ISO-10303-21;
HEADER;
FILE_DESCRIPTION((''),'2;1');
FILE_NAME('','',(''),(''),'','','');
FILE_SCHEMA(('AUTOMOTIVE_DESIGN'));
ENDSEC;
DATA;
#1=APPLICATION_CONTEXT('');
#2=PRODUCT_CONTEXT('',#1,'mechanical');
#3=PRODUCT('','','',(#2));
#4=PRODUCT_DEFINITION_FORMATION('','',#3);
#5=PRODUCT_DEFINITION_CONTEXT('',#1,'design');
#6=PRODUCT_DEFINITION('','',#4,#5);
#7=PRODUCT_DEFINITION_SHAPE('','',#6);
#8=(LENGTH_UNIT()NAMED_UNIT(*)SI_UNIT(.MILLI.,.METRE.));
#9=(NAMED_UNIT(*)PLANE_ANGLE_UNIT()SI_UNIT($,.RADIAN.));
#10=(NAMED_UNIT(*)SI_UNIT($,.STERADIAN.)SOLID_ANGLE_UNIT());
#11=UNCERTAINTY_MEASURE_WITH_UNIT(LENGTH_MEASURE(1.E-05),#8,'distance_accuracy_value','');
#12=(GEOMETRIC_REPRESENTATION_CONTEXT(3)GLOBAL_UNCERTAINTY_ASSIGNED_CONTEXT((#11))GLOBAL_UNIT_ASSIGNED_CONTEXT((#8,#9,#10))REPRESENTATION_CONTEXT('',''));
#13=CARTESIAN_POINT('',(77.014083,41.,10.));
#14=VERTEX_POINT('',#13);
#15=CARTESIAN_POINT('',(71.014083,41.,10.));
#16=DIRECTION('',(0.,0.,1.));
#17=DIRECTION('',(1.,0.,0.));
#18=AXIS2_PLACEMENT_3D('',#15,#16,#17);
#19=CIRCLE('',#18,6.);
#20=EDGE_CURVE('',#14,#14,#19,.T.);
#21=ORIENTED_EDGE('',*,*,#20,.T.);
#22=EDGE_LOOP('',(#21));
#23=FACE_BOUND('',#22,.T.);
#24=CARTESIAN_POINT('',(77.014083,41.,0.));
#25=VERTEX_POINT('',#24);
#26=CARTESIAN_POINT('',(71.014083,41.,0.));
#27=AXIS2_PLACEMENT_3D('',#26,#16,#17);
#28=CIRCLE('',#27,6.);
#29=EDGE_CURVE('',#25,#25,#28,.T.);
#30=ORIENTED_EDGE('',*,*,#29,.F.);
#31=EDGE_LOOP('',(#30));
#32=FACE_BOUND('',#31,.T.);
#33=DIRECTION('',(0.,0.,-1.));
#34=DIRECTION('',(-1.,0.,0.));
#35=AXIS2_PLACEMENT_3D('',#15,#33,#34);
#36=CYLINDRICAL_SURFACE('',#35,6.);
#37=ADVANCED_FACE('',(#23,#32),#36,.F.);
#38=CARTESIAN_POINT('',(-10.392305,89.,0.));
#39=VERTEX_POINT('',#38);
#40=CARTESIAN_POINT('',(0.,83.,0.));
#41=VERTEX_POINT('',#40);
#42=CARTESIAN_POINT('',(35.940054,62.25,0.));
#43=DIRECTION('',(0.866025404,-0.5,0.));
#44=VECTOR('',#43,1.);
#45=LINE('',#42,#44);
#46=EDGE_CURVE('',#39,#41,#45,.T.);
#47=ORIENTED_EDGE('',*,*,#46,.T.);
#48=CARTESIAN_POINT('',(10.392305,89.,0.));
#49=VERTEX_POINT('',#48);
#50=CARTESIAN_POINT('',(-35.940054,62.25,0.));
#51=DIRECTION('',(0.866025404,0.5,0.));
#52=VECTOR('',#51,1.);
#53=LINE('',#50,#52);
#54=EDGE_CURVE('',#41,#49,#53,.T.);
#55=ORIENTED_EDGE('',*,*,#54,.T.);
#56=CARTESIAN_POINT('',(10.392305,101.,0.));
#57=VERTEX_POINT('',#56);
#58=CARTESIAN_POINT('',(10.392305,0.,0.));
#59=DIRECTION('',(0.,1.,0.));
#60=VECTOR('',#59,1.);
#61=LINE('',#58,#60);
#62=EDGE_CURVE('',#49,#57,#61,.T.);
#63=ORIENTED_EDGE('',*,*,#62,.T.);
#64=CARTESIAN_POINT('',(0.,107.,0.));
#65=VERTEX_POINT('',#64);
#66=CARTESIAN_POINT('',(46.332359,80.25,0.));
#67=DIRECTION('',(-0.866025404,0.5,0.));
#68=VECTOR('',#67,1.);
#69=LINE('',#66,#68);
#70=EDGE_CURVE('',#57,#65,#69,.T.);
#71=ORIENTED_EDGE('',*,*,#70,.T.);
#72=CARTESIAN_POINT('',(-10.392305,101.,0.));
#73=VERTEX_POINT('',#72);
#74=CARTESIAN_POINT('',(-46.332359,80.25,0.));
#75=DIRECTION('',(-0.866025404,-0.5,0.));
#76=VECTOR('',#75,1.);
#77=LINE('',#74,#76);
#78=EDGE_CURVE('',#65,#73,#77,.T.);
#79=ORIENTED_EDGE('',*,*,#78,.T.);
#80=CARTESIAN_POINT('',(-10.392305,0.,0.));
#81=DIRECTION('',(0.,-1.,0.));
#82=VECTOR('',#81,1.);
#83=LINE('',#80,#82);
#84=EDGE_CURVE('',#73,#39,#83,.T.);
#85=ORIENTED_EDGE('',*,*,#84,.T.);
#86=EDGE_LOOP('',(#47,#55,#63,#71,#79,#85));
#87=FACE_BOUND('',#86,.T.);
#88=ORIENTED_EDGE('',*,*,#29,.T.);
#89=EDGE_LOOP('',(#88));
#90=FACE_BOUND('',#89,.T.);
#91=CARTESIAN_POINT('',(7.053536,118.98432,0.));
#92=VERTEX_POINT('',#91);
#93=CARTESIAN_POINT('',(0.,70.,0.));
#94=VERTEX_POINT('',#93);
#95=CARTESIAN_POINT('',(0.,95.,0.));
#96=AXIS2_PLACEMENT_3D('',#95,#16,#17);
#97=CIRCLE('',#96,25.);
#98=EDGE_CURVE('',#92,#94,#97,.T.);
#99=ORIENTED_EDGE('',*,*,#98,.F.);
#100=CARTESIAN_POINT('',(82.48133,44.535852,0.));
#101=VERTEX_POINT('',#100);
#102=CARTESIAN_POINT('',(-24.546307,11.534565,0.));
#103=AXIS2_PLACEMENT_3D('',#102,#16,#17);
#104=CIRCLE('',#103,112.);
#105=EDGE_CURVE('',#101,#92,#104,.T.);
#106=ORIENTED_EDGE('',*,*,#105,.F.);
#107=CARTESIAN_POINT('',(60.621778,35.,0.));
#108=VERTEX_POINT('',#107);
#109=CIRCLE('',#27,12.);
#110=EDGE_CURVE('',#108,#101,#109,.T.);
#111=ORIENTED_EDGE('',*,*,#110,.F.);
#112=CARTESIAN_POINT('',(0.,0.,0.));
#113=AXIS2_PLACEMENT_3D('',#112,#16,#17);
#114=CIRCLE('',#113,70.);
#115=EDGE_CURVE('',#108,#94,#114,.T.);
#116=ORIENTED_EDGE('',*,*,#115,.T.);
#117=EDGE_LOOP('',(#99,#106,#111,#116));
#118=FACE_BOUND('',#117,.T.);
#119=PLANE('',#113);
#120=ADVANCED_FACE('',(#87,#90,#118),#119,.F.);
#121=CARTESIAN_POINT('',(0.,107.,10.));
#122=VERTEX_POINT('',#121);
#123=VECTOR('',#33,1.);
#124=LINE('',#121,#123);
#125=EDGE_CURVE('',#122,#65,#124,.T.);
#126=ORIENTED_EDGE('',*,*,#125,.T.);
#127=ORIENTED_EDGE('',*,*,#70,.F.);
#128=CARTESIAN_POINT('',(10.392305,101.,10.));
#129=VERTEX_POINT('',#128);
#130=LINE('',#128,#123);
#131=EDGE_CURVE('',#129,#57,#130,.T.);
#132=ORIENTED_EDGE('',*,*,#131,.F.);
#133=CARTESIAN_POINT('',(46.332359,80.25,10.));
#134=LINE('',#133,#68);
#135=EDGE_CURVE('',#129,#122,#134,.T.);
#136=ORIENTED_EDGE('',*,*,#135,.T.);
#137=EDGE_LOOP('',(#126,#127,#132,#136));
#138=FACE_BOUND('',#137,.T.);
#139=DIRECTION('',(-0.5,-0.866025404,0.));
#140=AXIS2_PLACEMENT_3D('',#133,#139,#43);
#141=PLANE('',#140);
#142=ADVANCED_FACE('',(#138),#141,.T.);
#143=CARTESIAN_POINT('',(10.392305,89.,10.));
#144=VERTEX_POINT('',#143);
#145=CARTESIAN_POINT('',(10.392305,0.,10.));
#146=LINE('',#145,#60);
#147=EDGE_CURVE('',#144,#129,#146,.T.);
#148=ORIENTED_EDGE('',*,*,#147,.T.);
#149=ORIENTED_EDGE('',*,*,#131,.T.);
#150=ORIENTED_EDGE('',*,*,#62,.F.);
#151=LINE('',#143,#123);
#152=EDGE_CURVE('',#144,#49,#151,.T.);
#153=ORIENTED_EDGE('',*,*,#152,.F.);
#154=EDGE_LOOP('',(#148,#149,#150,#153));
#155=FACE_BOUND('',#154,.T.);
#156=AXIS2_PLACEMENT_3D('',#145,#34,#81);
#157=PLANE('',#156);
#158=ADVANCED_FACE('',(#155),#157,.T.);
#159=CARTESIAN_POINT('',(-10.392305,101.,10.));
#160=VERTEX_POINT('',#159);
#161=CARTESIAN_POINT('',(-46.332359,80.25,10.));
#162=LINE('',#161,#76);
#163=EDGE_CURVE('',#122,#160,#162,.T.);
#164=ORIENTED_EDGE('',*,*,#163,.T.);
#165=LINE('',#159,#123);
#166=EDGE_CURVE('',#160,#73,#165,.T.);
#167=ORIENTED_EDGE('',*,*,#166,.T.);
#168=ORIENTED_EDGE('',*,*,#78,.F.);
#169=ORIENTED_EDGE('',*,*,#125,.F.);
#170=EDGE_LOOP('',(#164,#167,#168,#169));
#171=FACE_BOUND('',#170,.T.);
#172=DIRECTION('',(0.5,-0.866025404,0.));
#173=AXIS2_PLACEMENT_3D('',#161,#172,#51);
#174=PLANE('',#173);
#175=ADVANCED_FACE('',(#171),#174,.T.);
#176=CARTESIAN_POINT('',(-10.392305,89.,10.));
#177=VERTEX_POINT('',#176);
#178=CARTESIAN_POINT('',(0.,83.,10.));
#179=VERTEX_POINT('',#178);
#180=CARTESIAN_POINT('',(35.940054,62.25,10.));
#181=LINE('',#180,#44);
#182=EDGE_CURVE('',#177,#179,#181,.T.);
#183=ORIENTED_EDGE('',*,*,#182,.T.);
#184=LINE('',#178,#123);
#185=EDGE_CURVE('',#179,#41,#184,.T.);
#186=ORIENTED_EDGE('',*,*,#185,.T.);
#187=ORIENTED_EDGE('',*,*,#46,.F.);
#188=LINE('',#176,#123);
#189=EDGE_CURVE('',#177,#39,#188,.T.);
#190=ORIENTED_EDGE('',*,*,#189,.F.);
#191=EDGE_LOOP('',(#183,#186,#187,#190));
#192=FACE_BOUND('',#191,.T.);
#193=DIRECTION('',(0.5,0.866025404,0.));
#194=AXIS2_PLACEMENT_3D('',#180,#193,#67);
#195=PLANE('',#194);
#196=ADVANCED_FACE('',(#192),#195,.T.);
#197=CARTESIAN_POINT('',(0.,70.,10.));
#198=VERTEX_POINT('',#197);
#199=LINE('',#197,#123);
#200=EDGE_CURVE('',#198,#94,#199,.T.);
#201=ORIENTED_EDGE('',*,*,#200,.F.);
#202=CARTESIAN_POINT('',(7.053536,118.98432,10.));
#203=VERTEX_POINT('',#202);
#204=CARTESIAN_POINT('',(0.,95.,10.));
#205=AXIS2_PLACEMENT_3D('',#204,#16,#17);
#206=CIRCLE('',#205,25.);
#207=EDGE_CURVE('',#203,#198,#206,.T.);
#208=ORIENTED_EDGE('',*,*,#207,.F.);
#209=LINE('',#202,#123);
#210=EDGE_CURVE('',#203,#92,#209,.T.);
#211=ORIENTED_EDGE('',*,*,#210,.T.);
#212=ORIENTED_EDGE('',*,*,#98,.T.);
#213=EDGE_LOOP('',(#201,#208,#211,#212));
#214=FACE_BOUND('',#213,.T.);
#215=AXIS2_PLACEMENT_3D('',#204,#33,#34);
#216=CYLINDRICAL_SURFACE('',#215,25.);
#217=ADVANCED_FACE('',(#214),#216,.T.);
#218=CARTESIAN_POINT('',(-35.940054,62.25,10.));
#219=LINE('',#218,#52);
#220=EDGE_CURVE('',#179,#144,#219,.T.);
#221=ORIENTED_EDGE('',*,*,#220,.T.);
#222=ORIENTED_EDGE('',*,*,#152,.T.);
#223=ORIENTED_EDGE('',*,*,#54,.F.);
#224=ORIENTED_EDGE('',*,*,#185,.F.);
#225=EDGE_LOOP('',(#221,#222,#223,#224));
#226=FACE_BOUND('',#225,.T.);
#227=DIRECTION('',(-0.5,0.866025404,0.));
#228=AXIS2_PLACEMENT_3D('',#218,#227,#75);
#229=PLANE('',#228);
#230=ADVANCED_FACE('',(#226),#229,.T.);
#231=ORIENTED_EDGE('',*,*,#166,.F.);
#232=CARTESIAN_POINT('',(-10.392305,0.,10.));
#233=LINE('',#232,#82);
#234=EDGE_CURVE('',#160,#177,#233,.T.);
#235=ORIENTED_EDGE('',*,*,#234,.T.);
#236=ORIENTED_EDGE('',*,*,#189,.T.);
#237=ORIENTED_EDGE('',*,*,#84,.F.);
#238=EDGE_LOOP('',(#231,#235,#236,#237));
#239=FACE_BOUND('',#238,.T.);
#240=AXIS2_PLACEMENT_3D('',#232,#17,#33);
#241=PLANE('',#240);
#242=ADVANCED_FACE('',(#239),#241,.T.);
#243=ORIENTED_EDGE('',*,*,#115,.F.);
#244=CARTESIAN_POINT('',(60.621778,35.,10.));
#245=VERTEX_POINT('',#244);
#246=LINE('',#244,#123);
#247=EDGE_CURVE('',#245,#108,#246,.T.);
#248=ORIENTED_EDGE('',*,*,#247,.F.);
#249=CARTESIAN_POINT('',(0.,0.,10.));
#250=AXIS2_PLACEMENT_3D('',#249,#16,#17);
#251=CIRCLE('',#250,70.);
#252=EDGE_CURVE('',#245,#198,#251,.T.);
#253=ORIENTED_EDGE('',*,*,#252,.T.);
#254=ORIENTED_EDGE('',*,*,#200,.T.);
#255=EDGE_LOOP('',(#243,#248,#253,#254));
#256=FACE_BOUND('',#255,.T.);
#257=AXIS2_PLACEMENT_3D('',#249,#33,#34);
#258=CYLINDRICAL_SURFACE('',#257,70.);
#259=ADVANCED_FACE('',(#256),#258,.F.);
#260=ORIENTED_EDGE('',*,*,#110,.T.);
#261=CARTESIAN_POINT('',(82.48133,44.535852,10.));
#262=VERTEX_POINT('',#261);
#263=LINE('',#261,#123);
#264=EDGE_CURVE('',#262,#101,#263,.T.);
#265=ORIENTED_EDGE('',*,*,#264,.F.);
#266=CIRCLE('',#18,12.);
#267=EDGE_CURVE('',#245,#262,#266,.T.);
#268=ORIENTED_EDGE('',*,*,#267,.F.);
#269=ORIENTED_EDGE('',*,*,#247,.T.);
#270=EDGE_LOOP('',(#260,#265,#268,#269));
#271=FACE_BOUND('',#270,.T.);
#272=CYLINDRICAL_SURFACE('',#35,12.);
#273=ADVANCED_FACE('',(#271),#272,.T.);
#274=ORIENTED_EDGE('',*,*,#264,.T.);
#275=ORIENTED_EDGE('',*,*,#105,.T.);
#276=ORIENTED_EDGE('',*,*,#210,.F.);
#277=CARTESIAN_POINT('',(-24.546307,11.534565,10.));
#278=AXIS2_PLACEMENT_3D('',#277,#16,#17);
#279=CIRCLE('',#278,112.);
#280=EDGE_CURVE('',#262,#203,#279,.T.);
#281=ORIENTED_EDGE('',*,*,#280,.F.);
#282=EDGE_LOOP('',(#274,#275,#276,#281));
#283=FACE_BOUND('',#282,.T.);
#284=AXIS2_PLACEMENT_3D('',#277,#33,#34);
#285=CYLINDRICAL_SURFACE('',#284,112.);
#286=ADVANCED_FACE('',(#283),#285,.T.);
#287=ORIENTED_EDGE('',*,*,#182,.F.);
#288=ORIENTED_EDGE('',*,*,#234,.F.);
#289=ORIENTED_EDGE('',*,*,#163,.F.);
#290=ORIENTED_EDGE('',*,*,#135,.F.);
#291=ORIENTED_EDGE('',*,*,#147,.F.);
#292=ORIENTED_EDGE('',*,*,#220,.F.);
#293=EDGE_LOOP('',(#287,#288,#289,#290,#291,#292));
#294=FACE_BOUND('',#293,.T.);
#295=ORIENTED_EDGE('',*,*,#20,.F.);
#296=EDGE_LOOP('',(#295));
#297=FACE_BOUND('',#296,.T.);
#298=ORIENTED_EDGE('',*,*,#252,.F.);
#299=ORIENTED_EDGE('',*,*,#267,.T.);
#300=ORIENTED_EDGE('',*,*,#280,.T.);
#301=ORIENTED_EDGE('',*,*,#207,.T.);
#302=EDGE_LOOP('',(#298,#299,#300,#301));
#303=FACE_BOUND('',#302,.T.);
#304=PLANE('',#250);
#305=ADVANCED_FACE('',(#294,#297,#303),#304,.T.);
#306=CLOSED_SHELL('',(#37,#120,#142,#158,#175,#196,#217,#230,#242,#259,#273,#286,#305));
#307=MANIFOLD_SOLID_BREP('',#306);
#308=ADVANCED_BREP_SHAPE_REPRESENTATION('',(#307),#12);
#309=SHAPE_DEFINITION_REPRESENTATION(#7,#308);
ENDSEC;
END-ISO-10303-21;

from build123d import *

# Parameters (mm, degrees)
SKETCH1_R           = 25
SKETCH1_R_2         = 12
SKETCH1_R_3         = 6
BOSS_EXTRUDE1_DEPTH = 10


with BuildPart() as part:
    # Sketch1 → Boss-Extrude1 (new body)
    # profile 1 of 3: a face of its own
    with BuildSketch(Plane.XY):
        with Locations((0, 95)):
            Circle(SKETCH1_R)
        Polygon((-10.392304845, 89), (0, 83), (10.392304845, 89), (10.392304845, 101), (0, 107), (-10.392304845, 101), align=None, mode=Mode.SUBTRACT)
    # profile 2 of 3: a face of its own
    with BuildSketch(Plane.XY):
        with BuildLine():
            ThreePointArc((0, 70), (35, 60.621778265), (60.621778265, 35))
            ThreePointArc((60.621778265, 35), (66.215959074, 51.999000215), (82.481329918, 44.535852182))
            ThreePointArc((82.481329918, 44.535852182), (54.13048872, 91.246307211), (7.053536481, 118.98432036))
            ThreePointArc((7.053536481, 118.98432036), (20.016723159, 109.977676522), (25, 95))
            ThreePointArc((25, 95), (17.67766953, 77.32233047), (0, 70))
        make_face()
    # profile 3 of 3: a face of its own
    with BuildSketch(Plane.XY):
        with Locations((71.01408311, 41)):
            Circle(SKETCH1_R_2)
        with Locations((71.01408311, 41)):
            Circle(SKETCH1_R_3, mode=Mode.SUBTRACT)
    extrude(amount=BOSS_EXTRUDE1_DEPTH)


solid = part.part
